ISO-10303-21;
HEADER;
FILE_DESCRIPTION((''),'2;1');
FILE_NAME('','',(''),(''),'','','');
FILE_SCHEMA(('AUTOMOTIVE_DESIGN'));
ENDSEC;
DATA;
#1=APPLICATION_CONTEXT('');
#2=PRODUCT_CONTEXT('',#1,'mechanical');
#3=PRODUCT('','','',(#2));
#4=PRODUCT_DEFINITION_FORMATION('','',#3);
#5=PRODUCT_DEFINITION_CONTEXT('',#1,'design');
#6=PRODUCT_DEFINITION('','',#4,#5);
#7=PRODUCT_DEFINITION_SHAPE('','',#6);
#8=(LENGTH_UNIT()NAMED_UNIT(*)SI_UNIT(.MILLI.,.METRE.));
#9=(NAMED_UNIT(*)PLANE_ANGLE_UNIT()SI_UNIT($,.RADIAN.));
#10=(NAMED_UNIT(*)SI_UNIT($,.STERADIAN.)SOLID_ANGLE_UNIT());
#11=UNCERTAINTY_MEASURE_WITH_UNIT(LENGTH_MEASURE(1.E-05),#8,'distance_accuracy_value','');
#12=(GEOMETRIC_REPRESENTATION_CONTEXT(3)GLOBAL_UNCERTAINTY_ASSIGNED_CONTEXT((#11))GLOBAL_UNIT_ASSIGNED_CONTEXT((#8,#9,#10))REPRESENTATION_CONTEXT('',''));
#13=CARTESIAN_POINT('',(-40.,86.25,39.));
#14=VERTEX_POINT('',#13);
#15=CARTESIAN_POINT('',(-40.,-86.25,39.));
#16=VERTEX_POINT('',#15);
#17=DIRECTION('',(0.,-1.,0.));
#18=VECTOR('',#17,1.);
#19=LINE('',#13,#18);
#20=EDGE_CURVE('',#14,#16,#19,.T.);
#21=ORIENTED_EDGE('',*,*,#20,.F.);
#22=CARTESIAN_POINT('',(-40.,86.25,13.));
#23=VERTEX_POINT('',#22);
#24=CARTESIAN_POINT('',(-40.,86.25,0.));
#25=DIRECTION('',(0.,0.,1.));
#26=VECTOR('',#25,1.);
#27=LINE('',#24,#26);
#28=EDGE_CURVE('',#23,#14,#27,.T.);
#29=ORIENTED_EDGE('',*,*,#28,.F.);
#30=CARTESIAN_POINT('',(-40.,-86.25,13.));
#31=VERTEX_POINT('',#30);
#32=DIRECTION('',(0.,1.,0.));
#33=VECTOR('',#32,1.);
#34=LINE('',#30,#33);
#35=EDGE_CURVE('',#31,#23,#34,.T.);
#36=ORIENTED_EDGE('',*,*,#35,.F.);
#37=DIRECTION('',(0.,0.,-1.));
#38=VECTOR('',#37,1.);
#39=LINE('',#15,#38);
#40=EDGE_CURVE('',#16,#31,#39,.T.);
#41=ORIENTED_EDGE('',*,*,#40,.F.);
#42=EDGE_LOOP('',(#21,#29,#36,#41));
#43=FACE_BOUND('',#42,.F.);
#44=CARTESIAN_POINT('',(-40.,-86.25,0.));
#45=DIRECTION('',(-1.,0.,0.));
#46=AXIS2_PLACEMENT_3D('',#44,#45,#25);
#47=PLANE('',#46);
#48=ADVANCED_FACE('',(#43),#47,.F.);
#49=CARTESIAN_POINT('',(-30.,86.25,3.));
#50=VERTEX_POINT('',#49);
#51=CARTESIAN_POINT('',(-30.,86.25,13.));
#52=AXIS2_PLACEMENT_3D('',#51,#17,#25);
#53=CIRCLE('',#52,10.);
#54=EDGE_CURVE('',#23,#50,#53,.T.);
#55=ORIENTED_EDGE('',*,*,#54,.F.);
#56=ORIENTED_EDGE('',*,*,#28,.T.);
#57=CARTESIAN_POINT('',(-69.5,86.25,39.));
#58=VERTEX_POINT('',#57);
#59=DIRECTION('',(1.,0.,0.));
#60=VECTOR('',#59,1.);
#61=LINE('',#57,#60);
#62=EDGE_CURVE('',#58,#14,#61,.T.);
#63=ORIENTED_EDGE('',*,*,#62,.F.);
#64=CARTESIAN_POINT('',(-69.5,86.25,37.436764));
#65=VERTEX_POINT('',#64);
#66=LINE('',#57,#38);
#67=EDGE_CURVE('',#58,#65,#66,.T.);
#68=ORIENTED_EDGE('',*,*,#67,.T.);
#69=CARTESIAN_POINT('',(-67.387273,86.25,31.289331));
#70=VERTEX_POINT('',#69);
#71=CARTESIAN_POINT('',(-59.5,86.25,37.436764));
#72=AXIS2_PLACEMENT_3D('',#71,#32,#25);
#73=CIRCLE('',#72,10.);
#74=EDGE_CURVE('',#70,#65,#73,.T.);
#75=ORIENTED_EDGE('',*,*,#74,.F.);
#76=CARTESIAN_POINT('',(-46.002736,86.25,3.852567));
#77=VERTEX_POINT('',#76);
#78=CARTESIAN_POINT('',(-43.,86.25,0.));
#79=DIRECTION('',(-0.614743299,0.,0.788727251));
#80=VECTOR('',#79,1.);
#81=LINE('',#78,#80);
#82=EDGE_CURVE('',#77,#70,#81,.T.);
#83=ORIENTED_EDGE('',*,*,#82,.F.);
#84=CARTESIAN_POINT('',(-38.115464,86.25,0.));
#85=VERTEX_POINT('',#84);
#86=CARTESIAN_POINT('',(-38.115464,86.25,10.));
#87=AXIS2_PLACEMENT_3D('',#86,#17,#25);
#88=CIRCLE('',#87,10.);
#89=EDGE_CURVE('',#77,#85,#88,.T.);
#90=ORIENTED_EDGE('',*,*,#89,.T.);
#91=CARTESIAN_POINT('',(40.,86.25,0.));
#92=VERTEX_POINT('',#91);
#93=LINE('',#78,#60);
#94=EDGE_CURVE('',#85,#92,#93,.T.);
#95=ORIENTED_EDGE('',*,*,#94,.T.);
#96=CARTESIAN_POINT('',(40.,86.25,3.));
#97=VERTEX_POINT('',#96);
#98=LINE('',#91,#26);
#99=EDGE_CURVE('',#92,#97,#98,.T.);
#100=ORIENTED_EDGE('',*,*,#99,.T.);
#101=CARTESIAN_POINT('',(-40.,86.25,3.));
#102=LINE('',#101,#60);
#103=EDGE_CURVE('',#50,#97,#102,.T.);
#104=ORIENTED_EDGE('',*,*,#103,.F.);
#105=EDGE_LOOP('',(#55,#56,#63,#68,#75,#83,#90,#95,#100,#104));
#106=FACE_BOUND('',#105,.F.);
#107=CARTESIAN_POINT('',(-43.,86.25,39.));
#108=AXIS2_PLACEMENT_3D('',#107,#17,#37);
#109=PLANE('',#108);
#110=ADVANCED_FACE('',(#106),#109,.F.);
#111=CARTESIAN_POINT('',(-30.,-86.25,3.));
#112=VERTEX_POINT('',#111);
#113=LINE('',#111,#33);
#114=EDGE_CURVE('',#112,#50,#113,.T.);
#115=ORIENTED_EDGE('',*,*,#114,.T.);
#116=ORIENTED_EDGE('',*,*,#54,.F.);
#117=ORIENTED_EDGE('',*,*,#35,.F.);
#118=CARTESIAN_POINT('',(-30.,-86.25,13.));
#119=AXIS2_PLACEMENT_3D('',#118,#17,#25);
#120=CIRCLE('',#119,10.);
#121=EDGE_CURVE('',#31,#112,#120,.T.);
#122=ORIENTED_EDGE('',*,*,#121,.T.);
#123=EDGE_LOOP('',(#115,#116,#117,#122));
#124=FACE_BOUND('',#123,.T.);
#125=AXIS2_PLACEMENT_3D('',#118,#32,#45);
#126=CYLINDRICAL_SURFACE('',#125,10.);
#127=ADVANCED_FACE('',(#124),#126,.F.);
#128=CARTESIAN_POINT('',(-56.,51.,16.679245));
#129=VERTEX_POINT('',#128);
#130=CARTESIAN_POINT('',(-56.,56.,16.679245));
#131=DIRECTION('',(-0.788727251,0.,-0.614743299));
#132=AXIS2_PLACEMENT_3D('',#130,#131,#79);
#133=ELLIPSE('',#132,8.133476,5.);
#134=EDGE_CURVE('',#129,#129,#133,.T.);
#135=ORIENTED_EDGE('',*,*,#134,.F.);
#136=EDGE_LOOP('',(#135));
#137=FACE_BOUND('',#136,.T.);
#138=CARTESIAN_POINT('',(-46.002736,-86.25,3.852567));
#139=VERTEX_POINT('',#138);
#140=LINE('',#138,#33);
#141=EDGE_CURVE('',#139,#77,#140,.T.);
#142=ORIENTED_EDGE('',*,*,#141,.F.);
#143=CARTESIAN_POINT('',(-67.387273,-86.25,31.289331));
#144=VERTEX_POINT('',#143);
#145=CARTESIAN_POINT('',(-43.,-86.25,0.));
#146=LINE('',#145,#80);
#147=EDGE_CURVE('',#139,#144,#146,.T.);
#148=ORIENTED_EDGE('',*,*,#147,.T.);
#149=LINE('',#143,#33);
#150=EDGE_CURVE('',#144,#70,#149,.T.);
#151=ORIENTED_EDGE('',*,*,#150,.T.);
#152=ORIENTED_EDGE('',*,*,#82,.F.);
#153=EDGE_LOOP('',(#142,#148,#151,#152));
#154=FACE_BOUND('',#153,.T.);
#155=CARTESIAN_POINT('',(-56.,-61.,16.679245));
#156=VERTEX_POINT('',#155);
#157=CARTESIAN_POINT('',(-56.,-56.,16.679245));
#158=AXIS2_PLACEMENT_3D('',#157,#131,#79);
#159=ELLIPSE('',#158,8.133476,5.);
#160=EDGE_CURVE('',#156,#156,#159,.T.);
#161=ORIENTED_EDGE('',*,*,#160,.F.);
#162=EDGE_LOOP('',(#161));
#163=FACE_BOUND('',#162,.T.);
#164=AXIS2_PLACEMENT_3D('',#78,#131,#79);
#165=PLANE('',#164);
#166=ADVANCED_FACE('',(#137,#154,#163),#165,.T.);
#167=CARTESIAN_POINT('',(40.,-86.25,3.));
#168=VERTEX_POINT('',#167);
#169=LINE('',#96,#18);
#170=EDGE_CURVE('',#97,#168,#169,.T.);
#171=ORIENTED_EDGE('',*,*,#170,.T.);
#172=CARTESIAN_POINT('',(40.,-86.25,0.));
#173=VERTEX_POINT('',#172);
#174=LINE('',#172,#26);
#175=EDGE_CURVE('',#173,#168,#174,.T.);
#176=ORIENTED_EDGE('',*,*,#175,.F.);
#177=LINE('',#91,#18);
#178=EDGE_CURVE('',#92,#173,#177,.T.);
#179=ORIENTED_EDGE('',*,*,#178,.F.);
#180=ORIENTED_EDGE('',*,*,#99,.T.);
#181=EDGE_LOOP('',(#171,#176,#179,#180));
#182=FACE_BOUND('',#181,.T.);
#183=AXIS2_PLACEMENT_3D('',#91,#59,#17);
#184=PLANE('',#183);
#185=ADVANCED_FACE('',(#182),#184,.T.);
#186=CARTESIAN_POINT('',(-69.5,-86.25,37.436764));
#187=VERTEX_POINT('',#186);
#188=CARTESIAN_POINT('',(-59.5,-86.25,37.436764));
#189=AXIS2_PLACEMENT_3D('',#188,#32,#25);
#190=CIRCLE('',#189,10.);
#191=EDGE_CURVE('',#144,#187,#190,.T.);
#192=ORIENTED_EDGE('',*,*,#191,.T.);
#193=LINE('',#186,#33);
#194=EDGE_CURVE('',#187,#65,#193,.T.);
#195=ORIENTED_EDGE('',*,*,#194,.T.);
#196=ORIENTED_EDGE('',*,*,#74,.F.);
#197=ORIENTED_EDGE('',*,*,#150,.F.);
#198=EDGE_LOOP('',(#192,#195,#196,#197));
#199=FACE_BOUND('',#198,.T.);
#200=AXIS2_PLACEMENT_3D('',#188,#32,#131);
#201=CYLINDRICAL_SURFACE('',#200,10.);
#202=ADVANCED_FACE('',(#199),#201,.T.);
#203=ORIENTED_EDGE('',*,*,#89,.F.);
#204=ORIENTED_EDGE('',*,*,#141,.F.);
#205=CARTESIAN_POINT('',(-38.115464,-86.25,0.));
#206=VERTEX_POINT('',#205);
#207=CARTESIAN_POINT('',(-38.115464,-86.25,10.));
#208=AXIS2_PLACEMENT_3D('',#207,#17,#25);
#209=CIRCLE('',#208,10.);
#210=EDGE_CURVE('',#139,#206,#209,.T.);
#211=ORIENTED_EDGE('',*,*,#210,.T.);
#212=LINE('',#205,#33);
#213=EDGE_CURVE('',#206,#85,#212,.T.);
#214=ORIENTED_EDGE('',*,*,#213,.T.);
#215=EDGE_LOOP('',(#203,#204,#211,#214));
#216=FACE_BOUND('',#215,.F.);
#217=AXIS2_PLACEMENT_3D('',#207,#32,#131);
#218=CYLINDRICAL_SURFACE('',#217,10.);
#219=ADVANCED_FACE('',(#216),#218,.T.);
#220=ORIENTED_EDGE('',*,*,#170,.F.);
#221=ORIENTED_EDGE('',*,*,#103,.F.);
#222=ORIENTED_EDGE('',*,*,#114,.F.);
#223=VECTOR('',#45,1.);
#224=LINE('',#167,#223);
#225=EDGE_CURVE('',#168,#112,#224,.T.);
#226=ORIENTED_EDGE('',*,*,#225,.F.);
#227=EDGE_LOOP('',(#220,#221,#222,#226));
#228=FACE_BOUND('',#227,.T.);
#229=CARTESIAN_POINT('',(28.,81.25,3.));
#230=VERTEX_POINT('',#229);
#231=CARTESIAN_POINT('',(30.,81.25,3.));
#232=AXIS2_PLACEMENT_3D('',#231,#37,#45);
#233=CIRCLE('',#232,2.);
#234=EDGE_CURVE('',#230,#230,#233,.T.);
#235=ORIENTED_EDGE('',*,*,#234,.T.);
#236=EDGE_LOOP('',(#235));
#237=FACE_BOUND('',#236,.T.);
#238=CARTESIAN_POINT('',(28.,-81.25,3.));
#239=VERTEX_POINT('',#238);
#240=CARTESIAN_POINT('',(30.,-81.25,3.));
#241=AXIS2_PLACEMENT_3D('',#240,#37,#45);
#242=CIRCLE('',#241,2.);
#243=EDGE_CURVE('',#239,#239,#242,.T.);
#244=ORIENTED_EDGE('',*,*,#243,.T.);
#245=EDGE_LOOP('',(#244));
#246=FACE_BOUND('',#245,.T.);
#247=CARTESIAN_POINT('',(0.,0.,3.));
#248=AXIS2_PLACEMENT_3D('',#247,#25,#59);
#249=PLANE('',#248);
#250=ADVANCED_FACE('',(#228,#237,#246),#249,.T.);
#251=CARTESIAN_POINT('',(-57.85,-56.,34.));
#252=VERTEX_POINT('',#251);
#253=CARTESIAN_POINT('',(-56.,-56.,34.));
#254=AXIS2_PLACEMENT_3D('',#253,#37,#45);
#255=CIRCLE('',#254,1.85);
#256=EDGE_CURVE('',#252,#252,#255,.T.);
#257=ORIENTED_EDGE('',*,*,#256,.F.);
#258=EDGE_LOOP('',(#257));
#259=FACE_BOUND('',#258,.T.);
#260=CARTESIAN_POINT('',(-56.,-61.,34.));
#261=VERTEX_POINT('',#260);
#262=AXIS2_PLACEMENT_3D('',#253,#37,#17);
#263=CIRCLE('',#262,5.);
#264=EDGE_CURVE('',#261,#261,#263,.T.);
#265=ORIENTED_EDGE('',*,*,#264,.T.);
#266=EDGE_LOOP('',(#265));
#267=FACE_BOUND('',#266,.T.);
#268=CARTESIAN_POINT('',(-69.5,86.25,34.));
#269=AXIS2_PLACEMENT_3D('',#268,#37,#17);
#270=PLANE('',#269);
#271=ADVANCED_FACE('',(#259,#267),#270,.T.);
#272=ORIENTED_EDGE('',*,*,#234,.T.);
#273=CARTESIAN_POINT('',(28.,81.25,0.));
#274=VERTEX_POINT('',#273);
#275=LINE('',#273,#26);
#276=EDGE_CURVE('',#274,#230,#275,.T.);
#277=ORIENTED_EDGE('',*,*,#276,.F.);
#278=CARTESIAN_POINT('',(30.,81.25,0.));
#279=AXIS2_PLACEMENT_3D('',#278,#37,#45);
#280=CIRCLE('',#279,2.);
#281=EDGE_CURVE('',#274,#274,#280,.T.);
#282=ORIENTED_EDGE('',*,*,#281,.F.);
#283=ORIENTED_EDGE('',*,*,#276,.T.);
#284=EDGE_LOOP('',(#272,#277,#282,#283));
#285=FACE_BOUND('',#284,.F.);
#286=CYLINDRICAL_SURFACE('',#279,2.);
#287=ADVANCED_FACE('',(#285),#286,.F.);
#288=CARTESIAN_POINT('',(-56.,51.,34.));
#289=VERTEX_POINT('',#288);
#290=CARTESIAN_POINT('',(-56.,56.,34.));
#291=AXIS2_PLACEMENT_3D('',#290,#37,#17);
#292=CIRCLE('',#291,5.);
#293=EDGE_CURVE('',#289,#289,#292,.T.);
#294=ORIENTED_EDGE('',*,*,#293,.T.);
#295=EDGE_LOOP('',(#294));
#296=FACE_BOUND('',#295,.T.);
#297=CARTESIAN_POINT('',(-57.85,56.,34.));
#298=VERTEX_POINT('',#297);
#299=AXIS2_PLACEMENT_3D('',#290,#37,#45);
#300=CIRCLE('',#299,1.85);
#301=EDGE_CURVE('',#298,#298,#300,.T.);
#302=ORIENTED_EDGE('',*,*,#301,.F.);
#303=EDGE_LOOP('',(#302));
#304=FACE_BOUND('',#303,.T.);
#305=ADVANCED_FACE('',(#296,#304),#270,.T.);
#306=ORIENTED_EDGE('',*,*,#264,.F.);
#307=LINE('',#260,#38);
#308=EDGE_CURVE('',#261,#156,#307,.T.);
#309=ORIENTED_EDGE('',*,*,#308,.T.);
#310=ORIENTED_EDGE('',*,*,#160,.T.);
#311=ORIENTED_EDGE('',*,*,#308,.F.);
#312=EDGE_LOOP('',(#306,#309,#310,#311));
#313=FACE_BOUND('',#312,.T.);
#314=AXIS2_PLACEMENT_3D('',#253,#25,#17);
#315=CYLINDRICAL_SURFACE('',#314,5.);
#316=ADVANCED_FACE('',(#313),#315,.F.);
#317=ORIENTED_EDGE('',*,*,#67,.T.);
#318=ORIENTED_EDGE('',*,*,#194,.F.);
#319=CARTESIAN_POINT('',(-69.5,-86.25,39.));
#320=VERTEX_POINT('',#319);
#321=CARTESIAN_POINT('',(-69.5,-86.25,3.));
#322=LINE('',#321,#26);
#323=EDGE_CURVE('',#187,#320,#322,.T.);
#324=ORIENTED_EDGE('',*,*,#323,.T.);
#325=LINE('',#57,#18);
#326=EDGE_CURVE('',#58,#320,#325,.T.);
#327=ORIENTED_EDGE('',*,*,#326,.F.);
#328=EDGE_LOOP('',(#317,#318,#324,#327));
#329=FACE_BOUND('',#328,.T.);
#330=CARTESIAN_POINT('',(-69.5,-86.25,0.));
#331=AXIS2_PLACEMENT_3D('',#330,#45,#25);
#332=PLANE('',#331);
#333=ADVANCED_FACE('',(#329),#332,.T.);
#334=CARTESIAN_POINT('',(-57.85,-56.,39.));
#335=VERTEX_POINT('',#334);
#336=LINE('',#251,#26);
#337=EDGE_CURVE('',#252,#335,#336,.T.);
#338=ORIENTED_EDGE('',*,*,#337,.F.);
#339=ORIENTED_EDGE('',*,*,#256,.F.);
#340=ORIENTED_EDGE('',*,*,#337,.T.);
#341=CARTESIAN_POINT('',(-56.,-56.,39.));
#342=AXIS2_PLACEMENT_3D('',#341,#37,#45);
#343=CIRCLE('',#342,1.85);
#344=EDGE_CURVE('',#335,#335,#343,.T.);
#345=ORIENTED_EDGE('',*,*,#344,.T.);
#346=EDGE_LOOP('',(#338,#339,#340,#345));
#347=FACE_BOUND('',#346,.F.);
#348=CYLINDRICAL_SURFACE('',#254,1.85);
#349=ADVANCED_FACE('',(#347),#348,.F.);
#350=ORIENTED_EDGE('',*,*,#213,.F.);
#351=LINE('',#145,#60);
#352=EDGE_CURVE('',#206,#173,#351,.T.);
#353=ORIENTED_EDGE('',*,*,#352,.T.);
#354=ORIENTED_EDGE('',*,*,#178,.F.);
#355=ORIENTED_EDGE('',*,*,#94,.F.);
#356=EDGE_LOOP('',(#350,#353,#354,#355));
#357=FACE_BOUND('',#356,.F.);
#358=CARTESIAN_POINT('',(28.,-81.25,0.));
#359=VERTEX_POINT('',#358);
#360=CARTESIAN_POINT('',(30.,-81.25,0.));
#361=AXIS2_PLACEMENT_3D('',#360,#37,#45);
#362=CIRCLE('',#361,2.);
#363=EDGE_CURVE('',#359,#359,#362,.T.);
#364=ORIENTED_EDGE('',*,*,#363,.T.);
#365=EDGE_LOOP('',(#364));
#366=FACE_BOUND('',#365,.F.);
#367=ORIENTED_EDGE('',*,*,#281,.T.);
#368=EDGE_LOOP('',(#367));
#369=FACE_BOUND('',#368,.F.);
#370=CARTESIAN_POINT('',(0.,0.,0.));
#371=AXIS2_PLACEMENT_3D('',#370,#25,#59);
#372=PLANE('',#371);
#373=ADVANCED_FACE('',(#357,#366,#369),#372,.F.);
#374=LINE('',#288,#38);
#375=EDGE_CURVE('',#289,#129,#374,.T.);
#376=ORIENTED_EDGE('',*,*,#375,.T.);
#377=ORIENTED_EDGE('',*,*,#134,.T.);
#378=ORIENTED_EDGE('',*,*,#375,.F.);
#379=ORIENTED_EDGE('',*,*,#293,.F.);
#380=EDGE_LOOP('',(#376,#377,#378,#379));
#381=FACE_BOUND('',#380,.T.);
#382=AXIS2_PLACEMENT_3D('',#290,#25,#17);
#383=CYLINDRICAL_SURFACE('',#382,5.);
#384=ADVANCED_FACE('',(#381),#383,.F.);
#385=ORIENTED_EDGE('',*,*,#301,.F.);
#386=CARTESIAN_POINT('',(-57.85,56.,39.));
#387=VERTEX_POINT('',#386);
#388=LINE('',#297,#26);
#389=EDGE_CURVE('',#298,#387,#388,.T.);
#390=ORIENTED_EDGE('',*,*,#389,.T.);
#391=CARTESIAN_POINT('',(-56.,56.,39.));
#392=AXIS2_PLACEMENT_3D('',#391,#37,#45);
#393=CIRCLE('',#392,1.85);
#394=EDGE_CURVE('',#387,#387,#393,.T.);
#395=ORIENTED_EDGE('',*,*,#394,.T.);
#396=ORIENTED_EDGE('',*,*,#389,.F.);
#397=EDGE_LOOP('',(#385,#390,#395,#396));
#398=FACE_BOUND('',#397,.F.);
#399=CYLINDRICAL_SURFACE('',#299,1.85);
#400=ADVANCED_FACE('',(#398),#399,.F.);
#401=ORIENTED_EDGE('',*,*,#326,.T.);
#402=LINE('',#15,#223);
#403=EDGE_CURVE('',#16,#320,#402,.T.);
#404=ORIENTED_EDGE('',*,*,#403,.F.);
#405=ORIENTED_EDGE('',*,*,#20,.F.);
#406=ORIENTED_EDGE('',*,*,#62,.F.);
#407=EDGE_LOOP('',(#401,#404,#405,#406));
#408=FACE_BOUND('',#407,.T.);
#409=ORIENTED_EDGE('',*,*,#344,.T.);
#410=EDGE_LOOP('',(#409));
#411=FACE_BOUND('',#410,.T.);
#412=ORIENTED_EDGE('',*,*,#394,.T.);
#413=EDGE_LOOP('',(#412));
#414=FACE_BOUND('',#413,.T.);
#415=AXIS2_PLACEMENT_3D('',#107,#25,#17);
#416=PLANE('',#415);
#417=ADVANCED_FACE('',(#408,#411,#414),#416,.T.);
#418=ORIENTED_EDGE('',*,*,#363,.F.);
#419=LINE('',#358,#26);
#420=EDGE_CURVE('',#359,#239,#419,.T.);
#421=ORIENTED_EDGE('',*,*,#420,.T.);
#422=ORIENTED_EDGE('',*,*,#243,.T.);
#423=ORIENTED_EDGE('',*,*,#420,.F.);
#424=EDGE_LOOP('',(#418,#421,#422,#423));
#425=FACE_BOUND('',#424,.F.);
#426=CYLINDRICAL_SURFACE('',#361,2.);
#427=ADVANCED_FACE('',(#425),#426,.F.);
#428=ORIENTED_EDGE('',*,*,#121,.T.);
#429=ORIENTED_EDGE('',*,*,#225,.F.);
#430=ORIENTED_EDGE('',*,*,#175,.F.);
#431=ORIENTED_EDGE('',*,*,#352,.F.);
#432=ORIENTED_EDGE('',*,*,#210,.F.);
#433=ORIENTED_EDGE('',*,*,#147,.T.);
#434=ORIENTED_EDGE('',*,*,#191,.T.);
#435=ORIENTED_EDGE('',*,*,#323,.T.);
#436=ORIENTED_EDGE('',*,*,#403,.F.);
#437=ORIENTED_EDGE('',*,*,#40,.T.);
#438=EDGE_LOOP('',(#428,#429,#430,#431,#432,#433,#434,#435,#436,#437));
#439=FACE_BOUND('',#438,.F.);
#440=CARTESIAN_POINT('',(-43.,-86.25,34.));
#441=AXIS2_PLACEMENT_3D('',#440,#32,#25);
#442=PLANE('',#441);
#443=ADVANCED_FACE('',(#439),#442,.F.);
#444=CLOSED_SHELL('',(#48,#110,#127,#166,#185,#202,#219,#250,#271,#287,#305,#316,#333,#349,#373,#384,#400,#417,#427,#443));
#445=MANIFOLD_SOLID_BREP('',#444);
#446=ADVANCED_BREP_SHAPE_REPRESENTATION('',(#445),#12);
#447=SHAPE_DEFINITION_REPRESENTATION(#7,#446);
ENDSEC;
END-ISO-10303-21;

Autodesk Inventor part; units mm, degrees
ref_plane "YZ Plane" through (0, 0, 0) normal (1, 0, 0) x (0, 1, 0)
ref_plane "XZ Plane" through (0, 0, 0) normal (0, 1, 0) x (-1, 0, 0)
sketch "Эскиз1" plane through (0, 0, 0) normal (0, 0, 1) x (1, 0, 0)
  line L0 (40, -86.25) -> (-40, -86.25)
  line L1 (-40, -86.25) -> (-40, 86.25)
  line L2 (-40, 86.25) -> (40, 86.25)
  line L3 (40, 86.25) -> (40, -86.25)
  line L4 (40, -86.25) -> (-40, 86.25) construction
  line L5 (-40, -86.25) -> (40, 86.25) construction
  point P0 (0, 0)
  dimension "d0" = 80
  dimension "d1" = 172.5
extrude "Выдавливание1" add sketch "Эскиз1" along normal blind 3
sketch "Эскиз2" plane through (-40, -86.25, 0) normal (-1, 0, 0) x (0, 0, 1)
  line L0 (0, 172.5) -> (39, 172.5)
  line L1 (39, 172.5) -> (39, 0)
  line L2 (39, 0) -> (0, 0)
  line L3 (0, 0) -> (0, 172.5)
  dimension "d4" = 39
extrude "Выдавливание2" add sketch "Эскиз2" along normal blind 3
sketch "Эскиз3" plane through (-43, -86.25, 0) normal (-1, 0, 0) x (0, 0, 1)
  line L0 (3, 0) -> (39, 0) projected
  line L1 (39, 172.5) -> (3, 172.5) projected
  line L2 (39, 0) -> (34, 0)
  line L3 (34, 0) -> (34, 172.5)
  line L4 (34, 172.5) -> (39, 172.5)
  line L5 (39, 172.5) -> (39, 0)
  point P0 (0, 86.25)
  point P1 (34, 0)
  dimension "d7" = 5
extrude "Выдавливание3" add sketch "Эскиз3" along normal blind 26.5
sketch "Эскиз4" plane through (-43, -86.25, 34) normal (0, 0, -1) x (-1, 0, 0)
  point P0 (-43, 86.25)
sketch "Эскиз5" plane through (-43, -86.25, 34) normal (0, 0, -1) x (-1, 0, 0)
  circle A0 centre (13, 30.25) radius 1.85 projected
  circle A1 centre (13, 142.25) radius 1.85 projected
  point P0 (-43, 86.25)
extrude "Выдавливание4" cut sketch "Эскиз5" against normal blind 26.5
sketch "Эскиз6" plane through (40, 86.25, 3) normal (0, 1, 0) x (1, 0, 0)
  line L0 (0, 3) -> (-83, 3) projected
  line L1 (-83, -31) -> (-109.5, -31) projected
  line L2 (-83, 3) -> (-109.5, -31)
  line L3 (-83, 3) -> (-83, -31) projected
  line L4 (-83, 3) -> (-83, -31)
  line L5 (-80, 0) -> (-80, -36) projected
  point P0 (-40, 3)
extrude "Выдавливание5" add sketch "Эскиз6" against normal up to surface (172.5 mm away)
ref_plane "РабПлоскость1" through (-69.5, 86.25, 34) normal (0, 0, -1) x (0, -1, 0)
sketch "Эскиз7" plane through (-69.5, 86.25, 34) normal (0, 0, -1) x (0, -1, 0)
  circle A0 centre (142.25, -13.5) radius 1.85 projected
  circle A1 centre (30.25, -13.5) radius 1.85 projected
  circle A2 centre (30.25, -13.5) radius 1.85 projected
  circle A3 centre (30.25, -13.5) radius 5
  circle A4 centre (142.25, -13.5) radius 1.85 projected
  circle A5 centre (142.25, -13.5) radius 5
  point P0 (86.25, -69.5)
  dimension "d15" = 10
  dimension "d16" = 10
extrude "Выдавливание6" cut sketch "Эскиз7" along normal blind 36.75 contours A0 | A1 | A3 | A5
fillet "Сопряжение1" radius 10 2 edges at (-40, 0, 3) (-43, 0, 0)
fillet "Сопряжение2" radius 10 1 edges at (-69.5, 0, 34)
sketch "Эскиз8" plane through (0, 0, 0) normal (0, 0, -1) x (-1, 0, 0)
  line L0 (-35, 76.25) -> (40, 76.25) projected
  line L1 (-35, -76.25) -> (-35, 76.25) projected
  line L2 (40, -76.25) -> (-35, -76.25) projected
  line L3 (-40, -86.25) -> (38.1155, -86.25) projected
  line L4 (-40, -86.25) -> (-40, 86.25) projected
  line L5 (-40, 86.25) -> (38.1155, 86.25) projected
  circle A0 centre (-30, 81.25) radius 2
  circle A1 centre (-30, -81.25) radius 2
  point P0 (0, 0)
  dimension "d21" = 4
  dimension "d22" = 5
  dimension "d23" = 10
  dimension "d24" = 10
  dimension "d25" = 4
  dimension "d26" = 5
  dimension "d27" = 10
extrude "Выдавливание7" cut sketch "Эскиз8" against normal blind 10
equation "\"d16\" = d15"
properties part number "000.003.002 - Крышка"
